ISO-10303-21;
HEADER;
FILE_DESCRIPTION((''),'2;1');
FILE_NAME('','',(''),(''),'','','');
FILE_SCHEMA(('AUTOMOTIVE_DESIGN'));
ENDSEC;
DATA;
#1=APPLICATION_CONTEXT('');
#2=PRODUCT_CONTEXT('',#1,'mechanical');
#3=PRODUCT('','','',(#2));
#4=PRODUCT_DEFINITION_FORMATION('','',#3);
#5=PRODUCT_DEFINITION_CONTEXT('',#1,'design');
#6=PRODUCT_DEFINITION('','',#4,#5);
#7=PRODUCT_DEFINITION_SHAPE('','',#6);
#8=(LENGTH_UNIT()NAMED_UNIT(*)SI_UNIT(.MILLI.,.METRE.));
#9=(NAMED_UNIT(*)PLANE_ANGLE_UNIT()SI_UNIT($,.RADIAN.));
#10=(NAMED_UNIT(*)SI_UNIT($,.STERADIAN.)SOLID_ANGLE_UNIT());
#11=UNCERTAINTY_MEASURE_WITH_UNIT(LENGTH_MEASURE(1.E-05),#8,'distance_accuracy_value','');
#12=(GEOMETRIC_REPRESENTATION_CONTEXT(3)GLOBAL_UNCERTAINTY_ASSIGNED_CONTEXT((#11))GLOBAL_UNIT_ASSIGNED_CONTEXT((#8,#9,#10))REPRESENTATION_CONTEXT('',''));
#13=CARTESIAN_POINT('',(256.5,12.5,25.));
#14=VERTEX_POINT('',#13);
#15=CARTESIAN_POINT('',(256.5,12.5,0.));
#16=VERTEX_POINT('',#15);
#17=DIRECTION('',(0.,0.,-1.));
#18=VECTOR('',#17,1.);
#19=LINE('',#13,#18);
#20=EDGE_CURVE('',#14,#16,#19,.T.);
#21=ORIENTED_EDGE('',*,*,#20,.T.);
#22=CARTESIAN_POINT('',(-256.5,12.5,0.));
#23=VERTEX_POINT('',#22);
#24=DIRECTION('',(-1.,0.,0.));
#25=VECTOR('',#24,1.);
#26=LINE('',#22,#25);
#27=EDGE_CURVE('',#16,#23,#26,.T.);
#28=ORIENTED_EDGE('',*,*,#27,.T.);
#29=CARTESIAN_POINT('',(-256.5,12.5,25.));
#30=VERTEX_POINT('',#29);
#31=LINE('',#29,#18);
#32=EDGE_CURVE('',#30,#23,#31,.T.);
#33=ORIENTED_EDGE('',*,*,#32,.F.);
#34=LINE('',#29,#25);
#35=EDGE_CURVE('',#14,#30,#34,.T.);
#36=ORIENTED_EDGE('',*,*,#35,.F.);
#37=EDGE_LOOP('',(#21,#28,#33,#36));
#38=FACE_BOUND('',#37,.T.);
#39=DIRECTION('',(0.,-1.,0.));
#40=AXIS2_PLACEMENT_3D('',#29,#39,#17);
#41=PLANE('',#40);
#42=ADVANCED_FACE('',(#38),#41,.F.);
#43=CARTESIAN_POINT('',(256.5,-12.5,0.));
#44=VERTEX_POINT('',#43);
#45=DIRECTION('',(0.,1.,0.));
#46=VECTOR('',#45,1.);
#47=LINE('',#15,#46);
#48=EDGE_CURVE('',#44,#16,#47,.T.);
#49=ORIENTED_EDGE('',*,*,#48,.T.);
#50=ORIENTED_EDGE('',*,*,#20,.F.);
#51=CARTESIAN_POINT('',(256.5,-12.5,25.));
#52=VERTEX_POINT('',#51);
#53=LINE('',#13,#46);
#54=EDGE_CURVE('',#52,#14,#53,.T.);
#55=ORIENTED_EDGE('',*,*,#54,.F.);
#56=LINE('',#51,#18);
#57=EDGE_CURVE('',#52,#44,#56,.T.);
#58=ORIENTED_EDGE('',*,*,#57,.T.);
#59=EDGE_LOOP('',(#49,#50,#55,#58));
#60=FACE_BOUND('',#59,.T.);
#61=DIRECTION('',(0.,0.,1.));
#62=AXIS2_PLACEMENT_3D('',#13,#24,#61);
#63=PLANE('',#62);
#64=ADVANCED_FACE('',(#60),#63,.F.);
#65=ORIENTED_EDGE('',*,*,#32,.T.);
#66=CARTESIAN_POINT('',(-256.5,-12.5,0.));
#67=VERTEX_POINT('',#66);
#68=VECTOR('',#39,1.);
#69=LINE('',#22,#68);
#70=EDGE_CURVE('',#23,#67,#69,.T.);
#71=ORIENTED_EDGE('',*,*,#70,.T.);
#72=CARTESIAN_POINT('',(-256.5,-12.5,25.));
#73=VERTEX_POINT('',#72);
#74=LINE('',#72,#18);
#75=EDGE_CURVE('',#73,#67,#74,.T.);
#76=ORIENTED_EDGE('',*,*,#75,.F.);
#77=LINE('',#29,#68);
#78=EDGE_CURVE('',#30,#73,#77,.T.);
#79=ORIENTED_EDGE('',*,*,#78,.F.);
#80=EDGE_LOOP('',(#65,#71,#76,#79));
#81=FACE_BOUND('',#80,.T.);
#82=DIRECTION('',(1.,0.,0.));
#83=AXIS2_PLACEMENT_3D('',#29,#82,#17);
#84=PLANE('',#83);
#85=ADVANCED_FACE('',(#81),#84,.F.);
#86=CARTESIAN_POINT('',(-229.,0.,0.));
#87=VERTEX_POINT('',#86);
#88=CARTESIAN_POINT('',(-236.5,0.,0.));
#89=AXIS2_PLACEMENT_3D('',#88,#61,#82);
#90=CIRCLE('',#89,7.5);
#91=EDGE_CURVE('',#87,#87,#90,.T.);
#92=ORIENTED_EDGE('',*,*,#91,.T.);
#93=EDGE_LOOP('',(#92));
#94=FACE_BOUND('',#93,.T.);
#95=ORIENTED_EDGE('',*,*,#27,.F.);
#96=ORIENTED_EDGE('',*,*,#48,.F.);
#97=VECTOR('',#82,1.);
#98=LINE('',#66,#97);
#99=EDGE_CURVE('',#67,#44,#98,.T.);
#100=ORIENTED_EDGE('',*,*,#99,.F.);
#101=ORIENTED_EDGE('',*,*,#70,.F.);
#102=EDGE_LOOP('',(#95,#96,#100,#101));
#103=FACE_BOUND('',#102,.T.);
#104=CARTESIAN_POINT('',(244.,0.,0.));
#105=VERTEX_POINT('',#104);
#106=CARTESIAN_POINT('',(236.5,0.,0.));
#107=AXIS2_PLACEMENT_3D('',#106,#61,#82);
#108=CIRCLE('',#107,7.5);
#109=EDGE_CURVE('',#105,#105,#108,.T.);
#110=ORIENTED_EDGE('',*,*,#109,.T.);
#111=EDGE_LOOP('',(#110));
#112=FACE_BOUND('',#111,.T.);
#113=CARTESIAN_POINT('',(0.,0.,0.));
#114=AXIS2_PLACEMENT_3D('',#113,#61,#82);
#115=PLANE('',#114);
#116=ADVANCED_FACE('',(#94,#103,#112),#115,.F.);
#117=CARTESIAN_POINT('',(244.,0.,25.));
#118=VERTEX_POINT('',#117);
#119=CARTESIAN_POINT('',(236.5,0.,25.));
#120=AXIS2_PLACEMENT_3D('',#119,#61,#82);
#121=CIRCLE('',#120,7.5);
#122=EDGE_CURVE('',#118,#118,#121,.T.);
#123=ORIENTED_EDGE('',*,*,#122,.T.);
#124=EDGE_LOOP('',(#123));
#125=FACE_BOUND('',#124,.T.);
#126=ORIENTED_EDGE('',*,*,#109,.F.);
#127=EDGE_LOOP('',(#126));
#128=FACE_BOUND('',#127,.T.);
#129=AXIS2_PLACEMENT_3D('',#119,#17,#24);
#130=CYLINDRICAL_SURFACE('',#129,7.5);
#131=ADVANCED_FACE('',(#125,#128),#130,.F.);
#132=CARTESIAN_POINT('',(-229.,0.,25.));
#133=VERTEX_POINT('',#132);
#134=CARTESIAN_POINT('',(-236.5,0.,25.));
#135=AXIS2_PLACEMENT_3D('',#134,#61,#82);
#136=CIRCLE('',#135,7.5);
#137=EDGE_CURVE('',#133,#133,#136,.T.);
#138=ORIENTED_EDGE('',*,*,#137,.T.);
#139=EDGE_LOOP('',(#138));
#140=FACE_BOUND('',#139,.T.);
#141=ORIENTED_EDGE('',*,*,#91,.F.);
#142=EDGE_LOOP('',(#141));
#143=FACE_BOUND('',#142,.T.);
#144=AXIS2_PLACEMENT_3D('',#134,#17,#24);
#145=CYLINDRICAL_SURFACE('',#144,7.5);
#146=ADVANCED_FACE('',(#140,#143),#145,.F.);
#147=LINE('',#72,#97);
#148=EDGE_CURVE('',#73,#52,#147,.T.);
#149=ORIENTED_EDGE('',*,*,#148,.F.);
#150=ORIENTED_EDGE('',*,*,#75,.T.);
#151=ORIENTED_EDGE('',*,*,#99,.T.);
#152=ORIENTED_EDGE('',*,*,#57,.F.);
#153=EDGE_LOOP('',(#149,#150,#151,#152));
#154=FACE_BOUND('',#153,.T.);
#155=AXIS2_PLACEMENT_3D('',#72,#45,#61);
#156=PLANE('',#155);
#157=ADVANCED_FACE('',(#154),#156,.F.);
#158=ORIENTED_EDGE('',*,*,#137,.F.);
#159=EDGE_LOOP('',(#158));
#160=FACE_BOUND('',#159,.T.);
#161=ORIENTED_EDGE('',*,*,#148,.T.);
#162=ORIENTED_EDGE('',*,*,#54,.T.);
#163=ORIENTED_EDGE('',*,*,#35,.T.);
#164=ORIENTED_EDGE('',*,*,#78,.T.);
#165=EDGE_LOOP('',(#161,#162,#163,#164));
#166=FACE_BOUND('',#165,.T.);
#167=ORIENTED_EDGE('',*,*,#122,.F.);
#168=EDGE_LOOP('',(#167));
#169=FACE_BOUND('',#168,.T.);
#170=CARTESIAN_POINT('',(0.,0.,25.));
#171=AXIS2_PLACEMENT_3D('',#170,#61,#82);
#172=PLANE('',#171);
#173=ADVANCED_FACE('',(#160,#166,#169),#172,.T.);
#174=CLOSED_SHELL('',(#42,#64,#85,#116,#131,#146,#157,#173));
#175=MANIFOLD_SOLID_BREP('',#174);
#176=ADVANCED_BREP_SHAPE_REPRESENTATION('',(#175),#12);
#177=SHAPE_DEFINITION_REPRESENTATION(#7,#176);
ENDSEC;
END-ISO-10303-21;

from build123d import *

# Parameters (mm, degrees)
SKETCH1_W           = 513
SKETCH1_H           = 25
SKETCH1_R           = 7.5
BOSS_EXTRUDE1_DEPTH = 25


with BuildPart() as part:
    # Sketch1 → Boss-Extrude1 (new body)
    with BuildSketch(Plane.XY):
        Rectangle(SKETCH1_W, SKETCH1_H)
        with Locations((-236.5, 0)):
            Circle(SKETCH1_R, mode=Mode.SUBTRACT)
        with Locations((236.5, 0)):
            Circle(SKETCH1_R, mode=Mode.SUBTRACT)
    extrude(amount=BOSS_EXTRUDE1_DEPTH)


solid = part.part
